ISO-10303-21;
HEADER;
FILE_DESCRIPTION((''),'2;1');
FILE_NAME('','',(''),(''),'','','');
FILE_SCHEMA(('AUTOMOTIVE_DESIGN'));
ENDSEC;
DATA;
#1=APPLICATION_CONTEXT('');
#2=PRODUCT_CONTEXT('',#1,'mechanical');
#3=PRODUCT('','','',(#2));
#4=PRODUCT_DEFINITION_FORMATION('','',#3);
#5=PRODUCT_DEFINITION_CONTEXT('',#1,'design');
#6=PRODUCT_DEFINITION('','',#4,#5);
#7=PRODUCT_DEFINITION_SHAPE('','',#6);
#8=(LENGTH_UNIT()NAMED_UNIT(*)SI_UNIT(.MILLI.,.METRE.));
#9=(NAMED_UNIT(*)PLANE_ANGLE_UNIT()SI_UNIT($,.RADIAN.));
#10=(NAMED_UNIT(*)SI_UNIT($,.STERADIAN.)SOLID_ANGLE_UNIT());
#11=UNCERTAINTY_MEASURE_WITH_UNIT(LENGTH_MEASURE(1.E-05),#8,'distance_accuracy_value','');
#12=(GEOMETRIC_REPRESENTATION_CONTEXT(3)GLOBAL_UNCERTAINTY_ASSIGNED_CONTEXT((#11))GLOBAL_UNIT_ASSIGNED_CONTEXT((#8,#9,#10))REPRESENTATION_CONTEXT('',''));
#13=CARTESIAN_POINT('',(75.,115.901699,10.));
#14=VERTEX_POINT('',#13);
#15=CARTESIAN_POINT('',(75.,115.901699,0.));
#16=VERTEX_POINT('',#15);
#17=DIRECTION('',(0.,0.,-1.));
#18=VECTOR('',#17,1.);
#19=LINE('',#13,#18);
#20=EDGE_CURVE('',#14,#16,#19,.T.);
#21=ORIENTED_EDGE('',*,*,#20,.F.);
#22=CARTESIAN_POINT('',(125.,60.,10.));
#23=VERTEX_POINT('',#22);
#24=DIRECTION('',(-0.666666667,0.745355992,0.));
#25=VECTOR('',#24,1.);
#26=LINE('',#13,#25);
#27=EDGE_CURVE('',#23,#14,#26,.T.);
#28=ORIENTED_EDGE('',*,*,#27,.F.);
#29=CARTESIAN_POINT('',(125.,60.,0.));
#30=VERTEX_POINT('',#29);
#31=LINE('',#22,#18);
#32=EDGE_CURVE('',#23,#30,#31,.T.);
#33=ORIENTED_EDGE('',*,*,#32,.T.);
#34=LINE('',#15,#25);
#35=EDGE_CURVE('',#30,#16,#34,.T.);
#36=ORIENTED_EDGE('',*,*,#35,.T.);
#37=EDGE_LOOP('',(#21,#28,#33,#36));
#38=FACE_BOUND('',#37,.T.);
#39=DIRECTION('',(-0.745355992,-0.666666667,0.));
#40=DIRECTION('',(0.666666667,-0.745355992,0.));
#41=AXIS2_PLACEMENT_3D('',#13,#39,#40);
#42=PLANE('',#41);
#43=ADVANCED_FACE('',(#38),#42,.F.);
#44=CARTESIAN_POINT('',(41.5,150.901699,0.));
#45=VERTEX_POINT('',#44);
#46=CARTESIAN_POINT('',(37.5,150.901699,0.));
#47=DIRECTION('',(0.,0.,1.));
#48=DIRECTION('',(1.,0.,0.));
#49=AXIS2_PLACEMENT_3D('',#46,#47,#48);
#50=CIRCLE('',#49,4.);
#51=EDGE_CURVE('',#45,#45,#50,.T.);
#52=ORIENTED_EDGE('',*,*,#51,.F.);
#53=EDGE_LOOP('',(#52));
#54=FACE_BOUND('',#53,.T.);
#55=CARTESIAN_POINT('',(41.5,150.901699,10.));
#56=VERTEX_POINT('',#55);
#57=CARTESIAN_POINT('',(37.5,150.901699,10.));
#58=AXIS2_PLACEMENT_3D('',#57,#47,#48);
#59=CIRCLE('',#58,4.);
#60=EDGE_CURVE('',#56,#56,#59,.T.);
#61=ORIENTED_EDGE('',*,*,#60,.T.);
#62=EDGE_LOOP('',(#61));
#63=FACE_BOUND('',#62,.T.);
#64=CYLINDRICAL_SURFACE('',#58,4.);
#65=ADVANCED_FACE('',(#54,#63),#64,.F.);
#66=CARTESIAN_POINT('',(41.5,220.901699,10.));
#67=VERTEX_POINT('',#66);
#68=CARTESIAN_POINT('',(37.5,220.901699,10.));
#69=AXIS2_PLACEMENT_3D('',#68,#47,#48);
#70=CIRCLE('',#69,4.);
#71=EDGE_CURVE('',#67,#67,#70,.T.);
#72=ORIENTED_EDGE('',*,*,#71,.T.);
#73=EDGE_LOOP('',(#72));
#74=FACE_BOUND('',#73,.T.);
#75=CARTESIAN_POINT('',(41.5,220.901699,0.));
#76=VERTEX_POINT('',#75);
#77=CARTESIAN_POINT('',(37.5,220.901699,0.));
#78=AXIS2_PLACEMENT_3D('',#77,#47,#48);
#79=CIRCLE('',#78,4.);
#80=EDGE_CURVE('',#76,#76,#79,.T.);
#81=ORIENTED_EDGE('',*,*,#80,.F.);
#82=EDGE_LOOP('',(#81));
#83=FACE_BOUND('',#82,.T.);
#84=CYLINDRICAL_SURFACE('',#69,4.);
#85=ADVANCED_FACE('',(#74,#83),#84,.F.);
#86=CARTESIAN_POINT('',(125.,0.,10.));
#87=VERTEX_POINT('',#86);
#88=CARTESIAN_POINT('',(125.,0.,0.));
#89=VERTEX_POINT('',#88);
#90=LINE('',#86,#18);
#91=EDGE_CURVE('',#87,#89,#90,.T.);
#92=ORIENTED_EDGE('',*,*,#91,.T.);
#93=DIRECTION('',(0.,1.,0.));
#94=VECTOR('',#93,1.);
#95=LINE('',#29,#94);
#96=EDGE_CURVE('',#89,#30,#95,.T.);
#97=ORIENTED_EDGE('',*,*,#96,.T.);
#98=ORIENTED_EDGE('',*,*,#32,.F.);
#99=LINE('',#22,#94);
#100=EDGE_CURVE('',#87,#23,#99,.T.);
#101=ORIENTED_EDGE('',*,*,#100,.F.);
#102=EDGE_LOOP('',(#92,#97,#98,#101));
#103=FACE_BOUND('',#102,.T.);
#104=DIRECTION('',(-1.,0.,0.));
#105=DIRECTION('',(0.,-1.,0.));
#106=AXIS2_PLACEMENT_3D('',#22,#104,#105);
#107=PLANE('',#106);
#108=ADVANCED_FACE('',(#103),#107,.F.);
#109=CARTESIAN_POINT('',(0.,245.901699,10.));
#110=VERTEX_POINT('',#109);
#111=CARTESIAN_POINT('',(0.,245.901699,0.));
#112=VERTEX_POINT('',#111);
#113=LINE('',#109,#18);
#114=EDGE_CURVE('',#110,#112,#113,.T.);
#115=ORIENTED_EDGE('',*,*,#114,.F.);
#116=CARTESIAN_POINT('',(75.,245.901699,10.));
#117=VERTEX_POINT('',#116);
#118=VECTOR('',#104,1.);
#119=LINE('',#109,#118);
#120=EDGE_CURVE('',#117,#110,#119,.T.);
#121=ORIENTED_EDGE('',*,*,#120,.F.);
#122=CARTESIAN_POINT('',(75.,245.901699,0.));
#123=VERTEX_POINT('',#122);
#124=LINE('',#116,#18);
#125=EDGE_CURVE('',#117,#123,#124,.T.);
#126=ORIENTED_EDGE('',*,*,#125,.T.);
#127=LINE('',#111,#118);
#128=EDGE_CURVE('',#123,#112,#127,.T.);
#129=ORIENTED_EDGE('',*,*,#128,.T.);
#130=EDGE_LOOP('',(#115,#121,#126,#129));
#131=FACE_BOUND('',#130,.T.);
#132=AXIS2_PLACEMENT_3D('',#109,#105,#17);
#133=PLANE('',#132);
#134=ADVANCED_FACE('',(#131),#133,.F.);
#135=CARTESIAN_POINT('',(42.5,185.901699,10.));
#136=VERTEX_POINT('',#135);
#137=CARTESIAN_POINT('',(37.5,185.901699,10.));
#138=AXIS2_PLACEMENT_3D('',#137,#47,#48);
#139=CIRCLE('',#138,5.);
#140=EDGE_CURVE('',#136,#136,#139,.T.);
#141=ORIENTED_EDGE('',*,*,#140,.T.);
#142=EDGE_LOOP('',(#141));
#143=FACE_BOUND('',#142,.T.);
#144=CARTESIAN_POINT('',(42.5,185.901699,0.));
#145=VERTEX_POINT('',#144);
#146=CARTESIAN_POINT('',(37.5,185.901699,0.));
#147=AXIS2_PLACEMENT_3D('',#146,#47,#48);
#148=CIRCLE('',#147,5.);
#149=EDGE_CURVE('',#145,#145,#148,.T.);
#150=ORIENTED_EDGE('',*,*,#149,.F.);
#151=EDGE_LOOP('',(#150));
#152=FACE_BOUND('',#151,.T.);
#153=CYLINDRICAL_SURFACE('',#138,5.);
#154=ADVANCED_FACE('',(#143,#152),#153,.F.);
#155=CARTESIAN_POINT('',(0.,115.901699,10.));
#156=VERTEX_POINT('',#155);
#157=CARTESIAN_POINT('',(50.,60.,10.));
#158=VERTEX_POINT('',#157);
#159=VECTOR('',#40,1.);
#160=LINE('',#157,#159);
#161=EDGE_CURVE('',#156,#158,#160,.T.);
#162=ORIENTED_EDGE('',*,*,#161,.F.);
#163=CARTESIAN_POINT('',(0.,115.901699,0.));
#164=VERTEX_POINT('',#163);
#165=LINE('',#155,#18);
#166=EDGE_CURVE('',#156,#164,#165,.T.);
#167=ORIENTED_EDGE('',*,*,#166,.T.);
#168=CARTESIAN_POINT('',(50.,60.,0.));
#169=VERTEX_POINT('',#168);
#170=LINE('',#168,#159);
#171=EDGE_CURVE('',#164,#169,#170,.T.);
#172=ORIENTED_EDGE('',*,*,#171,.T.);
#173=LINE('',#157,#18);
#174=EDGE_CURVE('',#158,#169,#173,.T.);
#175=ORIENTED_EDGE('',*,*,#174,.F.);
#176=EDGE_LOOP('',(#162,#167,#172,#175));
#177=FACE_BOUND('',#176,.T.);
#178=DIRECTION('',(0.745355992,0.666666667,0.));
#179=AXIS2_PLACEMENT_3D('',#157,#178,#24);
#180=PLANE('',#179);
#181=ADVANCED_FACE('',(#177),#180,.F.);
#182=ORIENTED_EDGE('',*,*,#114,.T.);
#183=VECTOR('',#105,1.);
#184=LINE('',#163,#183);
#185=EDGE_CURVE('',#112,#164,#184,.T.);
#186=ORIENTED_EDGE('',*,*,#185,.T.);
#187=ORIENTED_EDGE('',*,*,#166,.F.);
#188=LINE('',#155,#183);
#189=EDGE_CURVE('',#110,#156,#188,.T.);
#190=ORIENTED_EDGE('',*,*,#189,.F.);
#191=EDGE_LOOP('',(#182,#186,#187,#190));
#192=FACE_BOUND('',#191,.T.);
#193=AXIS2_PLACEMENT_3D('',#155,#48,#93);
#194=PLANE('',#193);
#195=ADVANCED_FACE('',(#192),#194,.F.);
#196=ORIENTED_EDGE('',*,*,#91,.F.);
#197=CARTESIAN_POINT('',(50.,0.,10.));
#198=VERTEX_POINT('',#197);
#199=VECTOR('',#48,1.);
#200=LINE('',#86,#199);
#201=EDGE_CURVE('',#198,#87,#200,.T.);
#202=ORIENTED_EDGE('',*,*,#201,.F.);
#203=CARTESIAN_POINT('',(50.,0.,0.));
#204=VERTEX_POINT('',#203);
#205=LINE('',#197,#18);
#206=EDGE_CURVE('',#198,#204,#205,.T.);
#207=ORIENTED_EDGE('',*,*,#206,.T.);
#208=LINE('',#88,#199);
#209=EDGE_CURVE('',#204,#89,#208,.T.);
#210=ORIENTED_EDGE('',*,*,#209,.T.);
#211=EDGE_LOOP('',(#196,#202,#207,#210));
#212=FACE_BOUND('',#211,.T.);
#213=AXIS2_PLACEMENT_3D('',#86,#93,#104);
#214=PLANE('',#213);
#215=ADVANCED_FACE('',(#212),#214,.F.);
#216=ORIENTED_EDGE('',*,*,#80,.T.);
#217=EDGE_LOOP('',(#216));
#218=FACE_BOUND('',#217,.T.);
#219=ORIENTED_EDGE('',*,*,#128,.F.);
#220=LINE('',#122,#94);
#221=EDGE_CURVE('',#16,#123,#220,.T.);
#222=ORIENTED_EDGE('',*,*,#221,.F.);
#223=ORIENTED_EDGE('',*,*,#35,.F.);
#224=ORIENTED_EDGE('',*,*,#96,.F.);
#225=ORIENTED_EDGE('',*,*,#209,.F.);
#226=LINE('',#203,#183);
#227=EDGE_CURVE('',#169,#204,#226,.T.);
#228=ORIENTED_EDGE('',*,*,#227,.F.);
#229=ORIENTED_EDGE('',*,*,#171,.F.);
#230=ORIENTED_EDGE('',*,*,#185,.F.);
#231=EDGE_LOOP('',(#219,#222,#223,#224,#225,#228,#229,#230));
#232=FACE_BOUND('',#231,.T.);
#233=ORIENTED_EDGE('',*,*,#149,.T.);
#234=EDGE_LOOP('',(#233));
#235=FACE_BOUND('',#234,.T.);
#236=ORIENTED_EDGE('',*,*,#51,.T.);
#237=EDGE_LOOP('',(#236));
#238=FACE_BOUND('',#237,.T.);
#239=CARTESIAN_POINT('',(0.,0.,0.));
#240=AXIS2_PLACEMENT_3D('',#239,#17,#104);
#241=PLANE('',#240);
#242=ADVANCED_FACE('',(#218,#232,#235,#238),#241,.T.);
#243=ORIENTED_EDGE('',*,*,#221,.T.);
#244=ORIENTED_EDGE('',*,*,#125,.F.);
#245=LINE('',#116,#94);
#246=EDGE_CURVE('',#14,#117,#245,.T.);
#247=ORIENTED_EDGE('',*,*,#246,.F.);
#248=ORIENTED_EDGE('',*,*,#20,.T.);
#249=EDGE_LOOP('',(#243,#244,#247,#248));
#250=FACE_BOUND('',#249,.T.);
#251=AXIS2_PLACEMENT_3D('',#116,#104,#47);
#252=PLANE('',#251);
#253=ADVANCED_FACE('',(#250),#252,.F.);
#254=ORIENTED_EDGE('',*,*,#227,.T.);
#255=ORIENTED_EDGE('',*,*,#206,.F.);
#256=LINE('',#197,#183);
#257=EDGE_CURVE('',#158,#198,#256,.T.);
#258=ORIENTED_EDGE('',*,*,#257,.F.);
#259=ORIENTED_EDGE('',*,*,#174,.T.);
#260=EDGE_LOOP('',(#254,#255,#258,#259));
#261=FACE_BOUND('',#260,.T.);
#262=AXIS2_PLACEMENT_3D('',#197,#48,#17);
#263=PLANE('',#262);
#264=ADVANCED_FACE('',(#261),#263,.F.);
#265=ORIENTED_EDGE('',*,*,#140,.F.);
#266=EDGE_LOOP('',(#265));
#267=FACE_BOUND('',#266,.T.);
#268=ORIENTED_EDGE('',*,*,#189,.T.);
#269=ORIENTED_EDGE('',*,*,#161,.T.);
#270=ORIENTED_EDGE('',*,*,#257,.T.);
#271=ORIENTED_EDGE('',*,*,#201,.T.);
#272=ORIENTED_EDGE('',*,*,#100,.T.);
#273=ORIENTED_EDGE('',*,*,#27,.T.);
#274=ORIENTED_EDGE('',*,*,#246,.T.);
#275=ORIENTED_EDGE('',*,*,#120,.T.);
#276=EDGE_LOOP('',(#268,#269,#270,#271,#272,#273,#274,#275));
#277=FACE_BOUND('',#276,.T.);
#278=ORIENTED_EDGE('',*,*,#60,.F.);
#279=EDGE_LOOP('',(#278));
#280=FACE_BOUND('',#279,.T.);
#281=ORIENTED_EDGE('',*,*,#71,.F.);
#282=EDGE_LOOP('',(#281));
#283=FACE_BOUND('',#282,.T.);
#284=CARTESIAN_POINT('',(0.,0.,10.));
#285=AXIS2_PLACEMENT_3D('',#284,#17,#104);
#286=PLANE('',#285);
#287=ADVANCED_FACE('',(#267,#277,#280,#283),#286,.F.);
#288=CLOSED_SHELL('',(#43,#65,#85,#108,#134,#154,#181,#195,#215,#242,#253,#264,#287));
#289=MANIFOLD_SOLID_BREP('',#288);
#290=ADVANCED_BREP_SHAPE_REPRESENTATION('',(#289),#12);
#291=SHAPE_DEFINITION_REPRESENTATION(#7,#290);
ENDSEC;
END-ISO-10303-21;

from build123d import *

# Parameters (mm, degrees)
BOSS_EXTRUDE1_DEPTH    = 10
F_8_0MM_DOWEL_HOLE5_D  = 8
F_10_0MM_DOWEL_HOLE1_D = 10


with BuildPart() as part:
    # Sketch1 → Boss-Extrude1 (new body)
    with BuildSketch(Plane.XY):
        Polygon((0, 245.901699437), (75, 245.901699437), (75, 115.901699437), (125, 60), (125, 0), (50, 0), (50, 60), (0, 115.901699437), align=None)
    extrude(amount=BOSS_EXTRUDE1_DEPTH)

    # Ø8.0mm Dowel Hole5 (through all)
    with Locations(Plane.XY.offset(10)):
        with Locations((37.5, 220.901699437), (37.5, 150.901699437)):
            Hole(F_8_0MM_DOWEL_HOLE5_D / 2)

    # Ø10.0mm Dowel Hole1 (through all)
    with Locations(Plane.XY.offset(10)):
        with Locations((37.5, 185.901699437)):
            Hole(F_10_0MM_DOWEL_HOLE1_D / 2)


solid = part.part
